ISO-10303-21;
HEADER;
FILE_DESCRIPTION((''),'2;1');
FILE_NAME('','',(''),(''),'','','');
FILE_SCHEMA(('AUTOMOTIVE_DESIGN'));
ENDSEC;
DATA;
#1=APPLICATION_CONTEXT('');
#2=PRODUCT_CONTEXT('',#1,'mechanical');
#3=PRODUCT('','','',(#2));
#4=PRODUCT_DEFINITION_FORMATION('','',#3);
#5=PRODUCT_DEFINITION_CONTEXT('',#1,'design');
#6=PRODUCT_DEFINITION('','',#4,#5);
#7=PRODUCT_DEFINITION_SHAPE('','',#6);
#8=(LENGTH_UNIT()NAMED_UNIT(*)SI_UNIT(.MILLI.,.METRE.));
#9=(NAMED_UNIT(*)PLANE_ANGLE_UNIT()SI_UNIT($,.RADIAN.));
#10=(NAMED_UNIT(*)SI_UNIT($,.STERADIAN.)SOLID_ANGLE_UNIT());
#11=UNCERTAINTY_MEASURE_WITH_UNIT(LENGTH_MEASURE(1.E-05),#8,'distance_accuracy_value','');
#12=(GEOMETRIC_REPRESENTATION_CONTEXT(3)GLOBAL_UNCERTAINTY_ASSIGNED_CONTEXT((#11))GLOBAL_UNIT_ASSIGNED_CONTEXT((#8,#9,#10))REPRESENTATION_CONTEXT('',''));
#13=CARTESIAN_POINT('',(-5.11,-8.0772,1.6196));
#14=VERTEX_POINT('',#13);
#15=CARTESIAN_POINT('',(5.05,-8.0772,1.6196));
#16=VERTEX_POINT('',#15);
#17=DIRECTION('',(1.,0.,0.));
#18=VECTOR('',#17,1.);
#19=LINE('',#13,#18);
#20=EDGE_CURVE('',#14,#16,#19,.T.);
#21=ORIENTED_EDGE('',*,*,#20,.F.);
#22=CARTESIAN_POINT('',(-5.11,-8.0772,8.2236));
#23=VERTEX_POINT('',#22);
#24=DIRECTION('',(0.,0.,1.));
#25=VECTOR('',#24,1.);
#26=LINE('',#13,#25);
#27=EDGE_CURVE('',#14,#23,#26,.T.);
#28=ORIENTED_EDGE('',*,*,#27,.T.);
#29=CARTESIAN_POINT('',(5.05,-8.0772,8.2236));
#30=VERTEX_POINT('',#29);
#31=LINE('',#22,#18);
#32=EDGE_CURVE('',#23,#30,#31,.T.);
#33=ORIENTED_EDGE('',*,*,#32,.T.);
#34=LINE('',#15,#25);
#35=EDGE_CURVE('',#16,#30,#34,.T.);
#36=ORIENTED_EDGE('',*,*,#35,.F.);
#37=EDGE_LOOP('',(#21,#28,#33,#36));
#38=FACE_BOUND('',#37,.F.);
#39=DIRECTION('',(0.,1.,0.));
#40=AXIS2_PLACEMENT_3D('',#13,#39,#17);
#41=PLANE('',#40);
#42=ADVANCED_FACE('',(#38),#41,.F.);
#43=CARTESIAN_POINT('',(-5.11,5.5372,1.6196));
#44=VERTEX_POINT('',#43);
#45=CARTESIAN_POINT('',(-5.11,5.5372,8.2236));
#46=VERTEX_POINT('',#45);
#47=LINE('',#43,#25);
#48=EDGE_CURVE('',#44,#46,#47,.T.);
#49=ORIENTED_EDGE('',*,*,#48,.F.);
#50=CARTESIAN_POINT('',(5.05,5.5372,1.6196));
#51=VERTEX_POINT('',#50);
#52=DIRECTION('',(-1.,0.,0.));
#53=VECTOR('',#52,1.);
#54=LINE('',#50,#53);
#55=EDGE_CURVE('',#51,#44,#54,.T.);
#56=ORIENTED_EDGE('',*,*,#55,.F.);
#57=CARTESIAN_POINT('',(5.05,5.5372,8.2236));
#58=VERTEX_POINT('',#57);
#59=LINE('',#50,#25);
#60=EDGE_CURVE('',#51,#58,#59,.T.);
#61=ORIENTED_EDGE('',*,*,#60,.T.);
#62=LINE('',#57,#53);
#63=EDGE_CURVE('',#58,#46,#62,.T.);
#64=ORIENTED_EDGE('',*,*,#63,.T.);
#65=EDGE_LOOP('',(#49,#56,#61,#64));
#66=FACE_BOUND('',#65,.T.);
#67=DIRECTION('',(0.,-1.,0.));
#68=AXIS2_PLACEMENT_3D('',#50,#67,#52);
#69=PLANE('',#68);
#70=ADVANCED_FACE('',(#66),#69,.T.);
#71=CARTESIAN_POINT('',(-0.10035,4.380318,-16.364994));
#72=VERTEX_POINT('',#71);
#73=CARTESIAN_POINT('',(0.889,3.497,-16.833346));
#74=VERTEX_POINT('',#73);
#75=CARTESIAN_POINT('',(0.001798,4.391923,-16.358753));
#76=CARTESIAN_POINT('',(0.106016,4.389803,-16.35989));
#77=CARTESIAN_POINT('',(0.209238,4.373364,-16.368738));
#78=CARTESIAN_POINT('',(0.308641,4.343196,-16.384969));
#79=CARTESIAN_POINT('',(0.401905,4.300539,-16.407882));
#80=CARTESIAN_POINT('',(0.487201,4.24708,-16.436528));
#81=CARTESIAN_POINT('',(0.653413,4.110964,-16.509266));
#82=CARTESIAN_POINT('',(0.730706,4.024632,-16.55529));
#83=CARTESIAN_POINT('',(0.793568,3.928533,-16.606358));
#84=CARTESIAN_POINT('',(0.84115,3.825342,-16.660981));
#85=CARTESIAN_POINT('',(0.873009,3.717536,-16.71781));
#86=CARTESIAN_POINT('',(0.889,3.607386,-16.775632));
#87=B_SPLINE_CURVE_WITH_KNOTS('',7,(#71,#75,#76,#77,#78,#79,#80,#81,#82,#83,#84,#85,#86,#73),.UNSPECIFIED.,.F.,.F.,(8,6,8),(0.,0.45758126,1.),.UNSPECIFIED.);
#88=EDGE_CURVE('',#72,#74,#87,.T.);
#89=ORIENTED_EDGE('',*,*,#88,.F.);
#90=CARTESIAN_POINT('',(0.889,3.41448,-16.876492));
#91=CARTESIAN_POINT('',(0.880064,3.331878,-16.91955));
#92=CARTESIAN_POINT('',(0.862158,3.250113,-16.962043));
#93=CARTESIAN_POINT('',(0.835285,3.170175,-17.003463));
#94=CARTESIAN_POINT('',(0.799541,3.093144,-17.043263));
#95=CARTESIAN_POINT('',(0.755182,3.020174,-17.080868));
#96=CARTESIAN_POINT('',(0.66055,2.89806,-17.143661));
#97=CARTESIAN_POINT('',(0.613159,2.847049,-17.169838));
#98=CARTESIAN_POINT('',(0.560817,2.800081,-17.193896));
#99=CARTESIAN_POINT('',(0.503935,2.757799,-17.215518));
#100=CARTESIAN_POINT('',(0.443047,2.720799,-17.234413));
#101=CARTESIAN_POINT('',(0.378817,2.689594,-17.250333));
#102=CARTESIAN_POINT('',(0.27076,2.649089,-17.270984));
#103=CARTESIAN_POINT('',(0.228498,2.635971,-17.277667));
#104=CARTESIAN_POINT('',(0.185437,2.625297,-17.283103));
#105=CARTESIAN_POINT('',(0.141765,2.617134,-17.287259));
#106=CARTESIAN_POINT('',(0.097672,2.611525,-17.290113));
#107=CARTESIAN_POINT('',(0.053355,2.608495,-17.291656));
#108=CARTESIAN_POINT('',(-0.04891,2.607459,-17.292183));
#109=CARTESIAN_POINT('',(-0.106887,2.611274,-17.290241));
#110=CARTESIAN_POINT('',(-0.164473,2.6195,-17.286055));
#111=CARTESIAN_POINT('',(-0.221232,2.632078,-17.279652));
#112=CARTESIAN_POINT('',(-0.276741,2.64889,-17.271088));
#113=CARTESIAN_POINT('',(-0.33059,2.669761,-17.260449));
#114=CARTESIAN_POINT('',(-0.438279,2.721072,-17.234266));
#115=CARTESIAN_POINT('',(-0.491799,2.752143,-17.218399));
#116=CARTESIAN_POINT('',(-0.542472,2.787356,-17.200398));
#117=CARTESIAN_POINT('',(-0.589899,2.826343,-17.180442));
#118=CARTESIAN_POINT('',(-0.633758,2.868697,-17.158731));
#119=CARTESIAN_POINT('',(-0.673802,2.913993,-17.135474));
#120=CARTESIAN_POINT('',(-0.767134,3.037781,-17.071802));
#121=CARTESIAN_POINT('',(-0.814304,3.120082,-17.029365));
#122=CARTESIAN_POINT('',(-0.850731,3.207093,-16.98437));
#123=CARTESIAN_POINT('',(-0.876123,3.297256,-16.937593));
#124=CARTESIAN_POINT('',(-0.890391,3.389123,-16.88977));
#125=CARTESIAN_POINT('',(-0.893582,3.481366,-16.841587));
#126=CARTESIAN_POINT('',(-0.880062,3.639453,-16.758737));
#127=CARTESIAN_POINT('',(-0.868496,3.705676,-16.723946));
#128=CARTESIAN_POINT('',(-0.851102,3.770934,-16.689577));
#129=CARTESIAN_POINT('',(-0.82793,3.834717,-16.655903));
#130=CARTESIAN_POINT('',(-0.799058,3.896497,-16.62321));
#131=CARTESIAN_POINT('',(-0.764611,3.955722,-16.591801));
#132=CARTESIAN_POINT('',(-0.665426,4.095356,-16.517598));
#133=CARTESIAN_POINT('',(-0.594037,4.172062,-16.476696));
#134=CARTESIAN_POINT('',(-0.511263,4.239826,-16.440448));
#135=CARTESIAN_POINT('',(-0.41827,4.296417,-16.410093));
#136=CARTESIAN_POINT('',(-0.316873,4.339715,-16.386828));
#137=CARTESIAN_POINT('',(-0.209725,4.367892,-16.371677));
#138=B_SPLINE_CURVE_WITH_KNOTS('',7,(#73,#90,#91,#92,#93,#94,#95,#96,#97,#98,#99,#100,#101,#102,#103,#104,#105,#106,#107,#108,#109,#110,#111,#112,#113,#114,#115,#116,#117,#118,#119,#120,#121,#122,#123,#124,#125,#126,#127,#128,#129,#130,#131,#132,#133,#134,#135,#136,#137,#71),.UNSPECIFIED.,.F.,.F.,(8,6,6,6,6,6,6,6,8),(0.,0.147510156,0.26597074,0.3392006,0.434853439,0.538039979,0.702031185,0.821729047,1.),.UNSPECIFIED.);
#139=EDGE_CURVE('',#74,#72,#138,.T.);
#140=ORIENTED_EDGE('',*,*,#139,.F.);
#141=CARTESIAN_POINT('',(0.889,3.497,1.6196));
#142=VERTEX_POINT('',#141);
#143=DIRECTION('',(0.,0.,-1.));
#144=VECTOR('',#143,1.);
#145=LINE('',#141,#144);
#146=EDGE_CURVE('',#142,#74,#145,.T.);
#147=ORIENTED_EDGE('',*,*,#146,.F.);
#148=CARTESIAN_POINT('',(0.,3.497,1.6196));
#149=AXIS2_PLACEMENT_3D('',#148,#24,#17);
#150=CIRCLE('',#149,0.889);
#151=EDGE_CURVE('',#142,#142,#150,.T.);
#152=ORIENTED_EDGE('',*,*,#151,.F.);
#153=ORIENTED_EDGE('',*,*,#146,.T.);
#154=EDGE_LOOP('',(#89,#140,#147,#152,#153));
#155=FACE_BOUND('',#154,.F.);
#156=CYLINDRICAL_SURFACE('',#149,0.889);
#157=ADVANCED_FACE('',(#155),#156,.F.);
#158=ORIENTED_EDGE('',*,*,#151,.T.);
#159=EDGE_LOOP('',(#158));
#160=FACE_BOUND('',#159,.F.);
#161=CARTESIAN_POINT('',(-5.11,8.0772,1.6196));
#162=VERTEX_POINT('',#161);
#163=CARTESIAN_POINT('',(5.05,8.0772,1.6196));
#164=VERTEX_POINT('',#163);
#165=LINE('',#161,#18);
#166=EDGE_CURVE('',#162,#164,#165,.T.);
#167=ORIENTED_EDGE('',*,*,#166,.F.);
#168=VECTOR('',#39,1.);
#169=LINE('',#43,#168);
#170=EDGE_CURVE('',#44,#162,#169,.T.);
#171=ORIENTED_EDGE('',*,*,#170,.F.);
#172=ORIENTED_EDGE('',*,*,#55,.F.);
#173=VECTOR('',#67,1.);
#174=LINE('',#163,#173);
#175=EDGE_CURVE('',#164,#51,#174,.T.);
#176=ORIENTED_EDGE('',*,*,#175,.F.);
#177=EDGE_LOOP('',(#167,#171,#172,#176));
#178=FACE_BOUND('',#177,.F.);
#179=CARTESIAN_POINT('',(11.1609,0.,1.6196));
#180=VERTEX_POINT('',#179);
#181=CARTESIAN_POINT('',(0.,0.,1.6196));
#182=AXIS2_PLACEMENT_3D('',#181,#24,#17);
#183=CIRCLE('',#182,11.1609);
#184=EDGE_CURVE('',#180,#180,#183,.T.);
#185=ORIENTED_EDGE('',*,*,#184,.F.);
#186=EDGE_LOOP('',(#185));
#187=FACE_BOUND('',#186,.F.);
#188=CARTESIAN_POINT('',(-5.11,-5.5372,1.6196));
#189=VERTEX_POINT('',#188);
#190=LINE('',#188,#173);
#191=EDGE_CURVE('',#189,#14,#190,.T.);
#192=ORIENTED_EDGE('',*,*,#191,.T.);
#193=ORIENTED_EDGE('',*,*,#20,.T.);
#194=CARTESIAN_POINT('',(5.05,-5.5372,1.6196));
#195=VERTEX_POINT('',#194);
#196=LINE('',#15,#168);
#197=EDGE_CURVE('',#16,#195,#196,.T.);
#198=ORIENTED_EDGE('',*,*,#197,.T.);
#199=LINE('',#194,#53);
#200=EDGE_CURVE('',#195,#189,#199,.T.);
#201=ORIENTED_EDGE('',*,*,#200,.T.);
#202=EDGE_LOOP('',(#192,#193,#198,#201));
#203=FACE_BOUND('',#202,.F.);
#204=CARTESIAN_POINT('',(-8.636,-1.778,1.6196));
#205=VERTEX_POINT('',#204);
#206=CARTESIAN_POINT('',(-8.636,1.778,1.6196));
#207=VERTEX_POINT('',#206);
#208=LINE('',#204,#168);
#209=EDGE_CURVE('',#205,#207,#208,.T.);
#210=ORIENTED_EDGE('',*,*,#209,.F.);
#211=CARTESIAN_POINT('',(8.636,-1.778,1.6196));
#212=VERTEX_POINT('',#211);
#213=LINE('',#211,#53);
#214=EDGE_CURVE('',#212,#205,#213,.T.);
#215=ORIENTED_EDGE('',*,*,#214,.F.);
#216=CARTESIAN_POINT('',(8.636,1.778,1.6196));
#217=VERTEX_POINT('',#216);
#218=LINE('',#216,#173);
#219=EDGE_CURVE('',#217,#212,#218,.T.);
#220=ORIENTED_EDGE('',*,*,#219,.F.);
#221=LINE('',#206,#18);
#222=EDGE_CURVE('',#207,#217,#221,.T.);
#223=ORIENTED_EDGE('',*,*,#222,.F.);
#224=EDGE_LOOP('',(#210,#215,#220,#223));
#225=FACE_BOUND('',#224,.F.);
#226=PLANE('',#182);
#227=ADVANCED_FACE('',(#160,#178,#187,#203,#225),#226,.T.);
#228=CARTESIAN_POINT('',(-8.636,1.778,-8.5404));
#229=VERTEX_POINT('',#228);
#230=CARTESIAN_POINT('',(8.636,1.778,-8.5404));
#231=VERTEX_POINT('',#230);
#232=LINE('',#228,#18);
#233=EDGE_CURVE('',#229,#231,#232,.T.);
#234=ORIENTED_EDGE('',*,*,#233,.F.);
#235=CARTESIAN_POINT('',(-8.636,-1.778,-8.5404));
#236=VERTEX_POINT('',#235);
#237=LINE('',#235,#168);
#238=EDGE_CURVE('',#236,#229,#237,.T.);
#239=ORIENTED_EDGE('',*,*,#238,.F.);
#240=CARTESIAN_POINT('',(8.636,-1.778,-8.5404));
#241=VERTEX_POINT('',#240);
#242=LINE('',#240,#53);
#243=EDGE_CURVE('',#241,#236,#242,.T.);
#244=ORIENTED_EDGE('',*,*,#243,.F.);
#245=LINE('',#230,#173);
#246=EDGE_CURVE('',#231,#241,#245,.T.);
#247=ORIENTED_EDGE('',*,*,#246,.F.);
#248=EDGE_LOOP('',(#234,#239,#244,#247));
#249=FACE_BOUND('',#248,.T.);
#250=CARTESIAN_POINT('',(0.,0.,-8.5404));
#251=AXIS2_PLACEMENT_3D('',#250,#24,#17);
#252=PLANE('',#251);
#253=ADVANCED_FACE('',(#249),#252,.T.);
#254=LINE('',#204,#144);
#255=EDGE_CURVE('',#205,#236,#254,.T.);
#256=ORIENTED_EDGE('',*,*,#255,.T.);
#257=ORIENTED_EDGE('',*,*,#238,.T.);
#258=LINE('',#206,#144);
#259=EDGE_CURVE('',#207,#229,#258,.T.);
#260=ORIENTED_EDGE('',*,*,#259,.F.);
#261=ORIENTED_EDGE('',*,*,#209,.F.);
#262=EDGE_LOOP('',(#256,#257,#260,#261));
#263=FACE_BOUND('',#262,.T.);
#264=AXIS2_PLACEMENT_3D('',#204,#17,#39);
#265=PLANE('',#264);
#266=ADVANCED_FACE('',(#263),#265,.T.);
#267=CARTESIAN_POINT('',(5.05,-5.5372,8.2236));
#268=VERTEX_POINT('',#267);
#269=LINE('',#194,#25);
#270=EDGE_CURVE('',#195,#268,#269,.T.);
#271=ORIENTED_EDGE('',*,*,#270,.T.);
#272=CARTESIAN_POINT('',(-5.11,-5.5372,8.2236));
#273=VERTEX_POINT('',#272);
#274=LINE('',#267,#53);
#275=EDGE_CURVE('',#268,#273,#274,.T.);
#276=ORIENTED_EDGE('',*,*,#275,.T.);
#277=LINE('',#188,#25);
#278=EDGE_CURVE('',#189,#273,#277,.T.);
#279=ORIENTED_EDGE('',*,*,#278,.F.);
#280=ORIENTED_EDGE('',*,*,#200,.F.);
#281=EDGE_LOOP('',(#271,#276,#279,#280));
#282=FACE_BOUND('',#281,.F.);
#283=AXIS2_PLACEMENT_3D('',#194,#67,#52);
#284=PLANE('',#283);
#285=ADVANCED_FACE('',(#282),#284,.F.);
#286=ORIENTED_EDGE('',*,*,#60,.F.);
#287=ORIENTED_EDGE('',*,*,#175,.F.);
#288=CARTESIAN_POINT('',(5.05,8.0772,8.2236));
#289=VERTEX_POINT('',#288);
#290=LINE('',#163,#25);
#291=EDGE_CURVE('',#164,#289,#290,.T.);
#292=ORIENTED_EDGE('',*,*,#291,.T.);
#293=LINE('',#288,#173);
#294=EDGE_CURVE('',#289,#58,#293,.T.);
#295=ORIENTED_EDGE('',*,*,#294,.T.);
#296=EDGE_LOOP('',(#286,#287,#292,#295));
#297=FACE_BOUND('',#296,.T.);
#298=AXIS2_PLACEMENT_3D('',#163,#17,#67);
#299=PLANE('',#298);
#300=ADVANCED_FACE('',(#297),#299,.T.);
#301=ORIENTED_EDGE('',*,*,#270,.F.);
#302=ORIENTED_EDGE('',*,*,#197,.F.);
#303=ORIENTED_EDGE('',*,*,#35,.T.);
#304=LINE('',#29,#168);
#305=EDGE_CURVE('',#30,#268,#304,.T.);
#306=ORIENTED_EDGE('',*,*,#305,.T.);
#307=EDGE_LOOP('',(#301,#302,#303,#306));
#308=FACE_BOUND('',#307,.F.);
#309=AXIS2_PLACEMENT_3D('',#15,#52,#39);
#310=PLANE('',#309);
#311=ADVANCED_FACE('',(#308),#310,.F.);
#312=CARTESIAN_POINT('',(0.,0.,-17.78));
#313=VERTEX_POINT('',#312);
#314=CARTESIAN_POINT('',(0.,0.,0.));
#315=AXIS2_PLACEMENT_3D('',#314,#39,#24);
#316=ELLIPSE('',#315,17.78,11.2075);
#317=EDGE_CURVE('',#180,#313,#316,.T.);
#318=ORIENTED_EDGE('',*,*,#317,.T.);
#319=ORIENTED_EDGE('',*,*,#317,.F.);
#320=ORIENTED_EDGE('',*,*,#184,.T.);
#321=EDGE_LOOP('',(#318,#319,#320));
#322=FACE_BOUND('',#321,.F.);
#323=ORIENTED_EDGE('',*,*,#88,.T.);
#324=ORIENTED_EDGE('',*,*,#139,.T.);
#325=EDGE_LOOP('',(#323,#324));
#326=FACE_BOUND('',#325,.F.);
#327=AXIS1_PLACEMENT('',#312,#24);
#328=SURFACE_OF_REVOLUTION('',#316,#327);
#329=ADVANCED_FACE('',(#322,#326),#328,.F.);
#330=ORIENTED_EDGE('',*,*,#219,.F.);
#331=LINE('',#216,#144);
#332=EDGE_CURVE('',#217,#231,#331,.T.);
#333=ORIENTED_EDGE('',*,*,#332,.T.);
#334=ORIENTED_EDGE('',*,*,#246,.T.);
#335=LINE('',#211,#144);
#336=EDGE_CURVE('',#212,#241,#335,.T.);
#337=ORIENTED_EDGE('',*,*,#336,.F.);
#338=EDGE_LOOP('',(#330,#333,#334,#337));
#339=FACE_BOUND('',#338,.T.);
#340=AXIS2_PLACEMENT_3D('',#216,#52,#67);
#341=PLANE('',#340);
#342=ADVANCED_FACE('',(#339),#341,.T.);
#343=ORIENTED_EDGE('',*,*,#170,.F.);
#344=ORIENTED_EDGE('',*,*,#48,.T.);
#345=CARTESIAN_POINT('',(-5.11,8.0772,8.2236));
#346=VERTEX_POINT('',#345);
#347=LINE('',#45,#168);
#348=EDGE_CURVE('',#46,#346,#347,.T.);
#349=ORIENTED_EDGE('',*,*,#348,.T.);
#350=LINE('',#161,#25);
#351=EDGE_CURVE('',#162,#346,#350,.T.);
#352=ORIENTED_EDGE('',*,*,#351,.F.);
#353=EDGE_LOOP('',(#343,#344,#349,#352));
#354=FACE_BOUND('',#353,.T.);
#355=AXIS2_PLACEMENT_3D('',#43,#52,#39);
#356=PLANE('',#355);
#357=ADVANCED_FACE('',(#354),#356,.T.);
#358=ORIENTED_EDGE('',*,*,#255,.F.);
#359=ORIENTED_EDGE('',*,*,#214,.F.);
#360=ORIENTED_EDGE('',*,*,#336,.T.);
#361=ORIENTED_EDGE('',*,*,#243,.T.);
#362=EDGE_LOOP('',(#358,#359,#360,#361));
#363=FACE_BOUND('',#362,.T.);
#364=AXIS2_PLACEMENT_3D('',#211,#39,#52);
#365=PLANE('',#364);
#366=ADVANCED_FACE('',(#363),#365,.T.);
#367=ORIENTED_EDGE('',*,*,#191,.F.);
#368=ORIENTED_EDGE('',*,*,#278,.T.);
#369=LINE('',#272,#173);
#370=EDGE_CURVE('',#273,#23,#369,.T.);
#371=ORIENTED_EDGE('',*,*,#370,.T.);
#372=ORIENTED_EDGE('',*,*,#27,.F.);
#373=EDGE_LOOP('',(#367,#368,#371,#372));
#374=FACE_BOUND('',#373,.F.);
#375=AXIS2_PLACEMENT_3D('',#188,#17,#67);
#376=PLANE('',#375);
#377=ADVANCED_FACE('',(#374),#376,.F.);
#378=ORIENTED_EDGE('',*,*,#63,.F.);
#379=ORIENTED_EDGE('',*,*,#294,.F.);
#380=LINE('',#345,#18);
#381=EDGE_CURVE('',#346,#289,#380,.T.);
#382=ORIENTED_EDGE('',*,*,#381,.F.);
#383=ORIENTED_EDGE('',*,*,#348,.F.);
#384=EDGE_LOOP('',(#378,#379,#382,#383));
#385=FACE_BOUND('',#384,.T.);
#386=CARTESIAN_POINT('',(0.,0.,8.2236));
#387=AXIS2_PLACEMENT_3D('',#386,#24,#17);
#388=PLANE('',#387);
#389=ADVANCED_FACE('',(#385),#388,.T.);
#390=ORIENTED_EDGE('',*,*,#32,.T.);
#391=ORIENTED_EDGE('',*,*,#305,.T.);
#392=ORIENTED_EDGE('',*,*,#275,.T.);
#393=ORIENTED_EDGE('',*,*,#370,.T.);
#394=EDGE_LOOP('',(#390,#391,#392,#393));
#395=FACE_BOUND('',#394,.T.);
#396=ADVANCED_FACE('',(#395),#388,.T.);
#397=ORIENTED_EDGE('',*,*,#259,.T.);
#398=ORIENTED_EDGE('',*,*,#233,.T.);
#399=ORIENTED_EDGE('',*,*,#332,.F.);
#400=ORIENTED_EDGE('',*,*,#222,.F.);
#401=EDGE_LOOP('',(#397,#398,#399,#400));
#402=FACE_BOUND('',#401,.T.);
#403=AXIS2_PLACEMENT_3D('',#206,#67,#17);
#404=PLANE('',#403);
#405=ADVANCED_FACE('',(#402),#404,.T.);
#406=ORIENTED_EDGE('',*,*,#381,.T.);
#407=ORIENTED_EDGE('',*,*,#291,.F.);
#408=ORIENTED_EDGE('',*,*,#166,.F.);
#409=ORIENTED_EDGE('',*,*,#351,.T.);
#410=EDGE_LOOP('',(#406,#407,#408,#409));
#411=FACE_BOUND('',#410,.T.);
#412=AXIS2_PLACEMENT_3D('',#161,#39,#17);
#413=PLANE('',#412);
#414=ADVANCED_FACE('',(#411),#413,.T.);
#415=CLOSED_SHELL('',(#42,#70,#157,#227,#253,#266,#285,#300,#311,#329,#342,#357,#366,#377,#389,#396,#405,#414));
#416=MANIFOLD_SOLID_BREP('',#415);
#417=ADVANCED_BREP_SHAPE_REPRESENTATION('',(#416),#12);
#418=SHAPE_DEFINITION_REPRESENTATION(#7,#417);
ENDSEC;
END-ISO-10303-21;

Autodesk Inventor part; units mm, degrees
ref_plane "YZ Plane" through (0, 0, 0) normal (1, 0, 0) x (0, 1, 0)
ref_plane "XZ Plane" through (0, 0, 0) normal (0, 1, 0) x (-1, 0, 0)
ref_plane "XY Plane" through (0, 0, 0) normal (0, 0, 1) x (1, 0, 0)
sketch "Sketch1" plane through (0, 0, 0) normal (0, 1, 0) x (-1, 0, 0)
  ellipse E0 centre (0, 0) end of major axis (0, 17.78) minor radius 11.2075
  line L0 (11.1609, 1.6196) -> (-11.1609, 1.6196)
  line L1 (0, -17.78) -> (0, 1.6196)
  line L2 (8.595, 11.4106) -> (-8.6719, 11.4106)
  dimension "d0" = 17.78
  dimension "d11" = 9.7909
  dimension "d16" = 19.3997
revolve "Revolution1" add sketch "Sketch1" angle 360 about axis through (0, 0, -17.78) along (0, 0, 1) picked at (-2.3015, -10.0552) contours L0 L1 E0
sketch "Sketch2" plane through (0, 0, 1.6196) normal (0, 0, 1) x (1, 0, 0)
  line L0 (-8.636, 1.778) -> (8.636, 1.778)
  line L1 (8.636, 1.778) -> (8.636, -1.778)
  line L2 (8.636, -1.778) -> (-8.636, -1.778)
  line L3 (-8.636, -1.778) -> (-8.636, 1.778)
  line L4 (-8.636, 1.778) -> (8.636, -1.778) construction
  line L5 (8.636, 1.778) -> (-8.636, -1.778) construction
  point P0 (0, 0)
  dimension "d2" = 17.272
  dimension "d3" = 3.556
extrude "Extrusion1" cut sketch "Sketch2" against normal blind 10.16
sketch "Sketch3" plane through (0, 0, 1.6196) normal (0, 0, 1) x (1, 0, 0)
  line L0 (-5.11, 8.0772) -> (5.05, 8.0772)
  line L1 (5.05, 8.0772) -> (5.05, 5.5372)
  line L2 (5.05, 5.5372) -> (-5.11, 5.5372)
  line L3 (-5.11, 5.5372) -> (-5.11, 8.0772)
  line L4 (-5.11, 8.0772) -> (5.05, 5.5372) construction
  line L5 (5.05, 8.0772) -> (-5.11, 5.5372) construction
  circle A0 centre (0, 0) radius 11.1609 projected
  line L6 (-11.1609, 0) -> (11.1609, 0)
  line L7 (11.2075, 0) -> (0, 0) projected
  line L8 (-5.11, -8.0772) -> (5.05, -8.0772)
  line L9 (5.05, -8.0772) -> (5.05, -5.5372)
  line L10 (5.05, -5.5372) -> (-5.11, -5.5372)
  line L11 (-5.11, -5.5372) -> (-5.11, -8.0772)
  point P0 (-0.03, 6.8072)
  dimension "d6" = 10.16
  dimension "d7" = 2.54
  dimension "d12" = 6.8072
extrude "Extrusion2" add sketch "Sketch3" along normal blind 6.604 contours L0 L1 L2 L3 | L11 L10 L9 L8
sketch "Sketch4" plane through (0, 0, 1.6196) normal (0, 0, 1) x (1, 0, 0)
  circle A0 centre (0, 3.497) radius 0.889
  point P0 (0, 0)
  dimension "d13" = 1.778
extrude "Extrusion3" cut sketch "Sketch4" against normal through all
properties part number "Bead Round Button copy 1"
